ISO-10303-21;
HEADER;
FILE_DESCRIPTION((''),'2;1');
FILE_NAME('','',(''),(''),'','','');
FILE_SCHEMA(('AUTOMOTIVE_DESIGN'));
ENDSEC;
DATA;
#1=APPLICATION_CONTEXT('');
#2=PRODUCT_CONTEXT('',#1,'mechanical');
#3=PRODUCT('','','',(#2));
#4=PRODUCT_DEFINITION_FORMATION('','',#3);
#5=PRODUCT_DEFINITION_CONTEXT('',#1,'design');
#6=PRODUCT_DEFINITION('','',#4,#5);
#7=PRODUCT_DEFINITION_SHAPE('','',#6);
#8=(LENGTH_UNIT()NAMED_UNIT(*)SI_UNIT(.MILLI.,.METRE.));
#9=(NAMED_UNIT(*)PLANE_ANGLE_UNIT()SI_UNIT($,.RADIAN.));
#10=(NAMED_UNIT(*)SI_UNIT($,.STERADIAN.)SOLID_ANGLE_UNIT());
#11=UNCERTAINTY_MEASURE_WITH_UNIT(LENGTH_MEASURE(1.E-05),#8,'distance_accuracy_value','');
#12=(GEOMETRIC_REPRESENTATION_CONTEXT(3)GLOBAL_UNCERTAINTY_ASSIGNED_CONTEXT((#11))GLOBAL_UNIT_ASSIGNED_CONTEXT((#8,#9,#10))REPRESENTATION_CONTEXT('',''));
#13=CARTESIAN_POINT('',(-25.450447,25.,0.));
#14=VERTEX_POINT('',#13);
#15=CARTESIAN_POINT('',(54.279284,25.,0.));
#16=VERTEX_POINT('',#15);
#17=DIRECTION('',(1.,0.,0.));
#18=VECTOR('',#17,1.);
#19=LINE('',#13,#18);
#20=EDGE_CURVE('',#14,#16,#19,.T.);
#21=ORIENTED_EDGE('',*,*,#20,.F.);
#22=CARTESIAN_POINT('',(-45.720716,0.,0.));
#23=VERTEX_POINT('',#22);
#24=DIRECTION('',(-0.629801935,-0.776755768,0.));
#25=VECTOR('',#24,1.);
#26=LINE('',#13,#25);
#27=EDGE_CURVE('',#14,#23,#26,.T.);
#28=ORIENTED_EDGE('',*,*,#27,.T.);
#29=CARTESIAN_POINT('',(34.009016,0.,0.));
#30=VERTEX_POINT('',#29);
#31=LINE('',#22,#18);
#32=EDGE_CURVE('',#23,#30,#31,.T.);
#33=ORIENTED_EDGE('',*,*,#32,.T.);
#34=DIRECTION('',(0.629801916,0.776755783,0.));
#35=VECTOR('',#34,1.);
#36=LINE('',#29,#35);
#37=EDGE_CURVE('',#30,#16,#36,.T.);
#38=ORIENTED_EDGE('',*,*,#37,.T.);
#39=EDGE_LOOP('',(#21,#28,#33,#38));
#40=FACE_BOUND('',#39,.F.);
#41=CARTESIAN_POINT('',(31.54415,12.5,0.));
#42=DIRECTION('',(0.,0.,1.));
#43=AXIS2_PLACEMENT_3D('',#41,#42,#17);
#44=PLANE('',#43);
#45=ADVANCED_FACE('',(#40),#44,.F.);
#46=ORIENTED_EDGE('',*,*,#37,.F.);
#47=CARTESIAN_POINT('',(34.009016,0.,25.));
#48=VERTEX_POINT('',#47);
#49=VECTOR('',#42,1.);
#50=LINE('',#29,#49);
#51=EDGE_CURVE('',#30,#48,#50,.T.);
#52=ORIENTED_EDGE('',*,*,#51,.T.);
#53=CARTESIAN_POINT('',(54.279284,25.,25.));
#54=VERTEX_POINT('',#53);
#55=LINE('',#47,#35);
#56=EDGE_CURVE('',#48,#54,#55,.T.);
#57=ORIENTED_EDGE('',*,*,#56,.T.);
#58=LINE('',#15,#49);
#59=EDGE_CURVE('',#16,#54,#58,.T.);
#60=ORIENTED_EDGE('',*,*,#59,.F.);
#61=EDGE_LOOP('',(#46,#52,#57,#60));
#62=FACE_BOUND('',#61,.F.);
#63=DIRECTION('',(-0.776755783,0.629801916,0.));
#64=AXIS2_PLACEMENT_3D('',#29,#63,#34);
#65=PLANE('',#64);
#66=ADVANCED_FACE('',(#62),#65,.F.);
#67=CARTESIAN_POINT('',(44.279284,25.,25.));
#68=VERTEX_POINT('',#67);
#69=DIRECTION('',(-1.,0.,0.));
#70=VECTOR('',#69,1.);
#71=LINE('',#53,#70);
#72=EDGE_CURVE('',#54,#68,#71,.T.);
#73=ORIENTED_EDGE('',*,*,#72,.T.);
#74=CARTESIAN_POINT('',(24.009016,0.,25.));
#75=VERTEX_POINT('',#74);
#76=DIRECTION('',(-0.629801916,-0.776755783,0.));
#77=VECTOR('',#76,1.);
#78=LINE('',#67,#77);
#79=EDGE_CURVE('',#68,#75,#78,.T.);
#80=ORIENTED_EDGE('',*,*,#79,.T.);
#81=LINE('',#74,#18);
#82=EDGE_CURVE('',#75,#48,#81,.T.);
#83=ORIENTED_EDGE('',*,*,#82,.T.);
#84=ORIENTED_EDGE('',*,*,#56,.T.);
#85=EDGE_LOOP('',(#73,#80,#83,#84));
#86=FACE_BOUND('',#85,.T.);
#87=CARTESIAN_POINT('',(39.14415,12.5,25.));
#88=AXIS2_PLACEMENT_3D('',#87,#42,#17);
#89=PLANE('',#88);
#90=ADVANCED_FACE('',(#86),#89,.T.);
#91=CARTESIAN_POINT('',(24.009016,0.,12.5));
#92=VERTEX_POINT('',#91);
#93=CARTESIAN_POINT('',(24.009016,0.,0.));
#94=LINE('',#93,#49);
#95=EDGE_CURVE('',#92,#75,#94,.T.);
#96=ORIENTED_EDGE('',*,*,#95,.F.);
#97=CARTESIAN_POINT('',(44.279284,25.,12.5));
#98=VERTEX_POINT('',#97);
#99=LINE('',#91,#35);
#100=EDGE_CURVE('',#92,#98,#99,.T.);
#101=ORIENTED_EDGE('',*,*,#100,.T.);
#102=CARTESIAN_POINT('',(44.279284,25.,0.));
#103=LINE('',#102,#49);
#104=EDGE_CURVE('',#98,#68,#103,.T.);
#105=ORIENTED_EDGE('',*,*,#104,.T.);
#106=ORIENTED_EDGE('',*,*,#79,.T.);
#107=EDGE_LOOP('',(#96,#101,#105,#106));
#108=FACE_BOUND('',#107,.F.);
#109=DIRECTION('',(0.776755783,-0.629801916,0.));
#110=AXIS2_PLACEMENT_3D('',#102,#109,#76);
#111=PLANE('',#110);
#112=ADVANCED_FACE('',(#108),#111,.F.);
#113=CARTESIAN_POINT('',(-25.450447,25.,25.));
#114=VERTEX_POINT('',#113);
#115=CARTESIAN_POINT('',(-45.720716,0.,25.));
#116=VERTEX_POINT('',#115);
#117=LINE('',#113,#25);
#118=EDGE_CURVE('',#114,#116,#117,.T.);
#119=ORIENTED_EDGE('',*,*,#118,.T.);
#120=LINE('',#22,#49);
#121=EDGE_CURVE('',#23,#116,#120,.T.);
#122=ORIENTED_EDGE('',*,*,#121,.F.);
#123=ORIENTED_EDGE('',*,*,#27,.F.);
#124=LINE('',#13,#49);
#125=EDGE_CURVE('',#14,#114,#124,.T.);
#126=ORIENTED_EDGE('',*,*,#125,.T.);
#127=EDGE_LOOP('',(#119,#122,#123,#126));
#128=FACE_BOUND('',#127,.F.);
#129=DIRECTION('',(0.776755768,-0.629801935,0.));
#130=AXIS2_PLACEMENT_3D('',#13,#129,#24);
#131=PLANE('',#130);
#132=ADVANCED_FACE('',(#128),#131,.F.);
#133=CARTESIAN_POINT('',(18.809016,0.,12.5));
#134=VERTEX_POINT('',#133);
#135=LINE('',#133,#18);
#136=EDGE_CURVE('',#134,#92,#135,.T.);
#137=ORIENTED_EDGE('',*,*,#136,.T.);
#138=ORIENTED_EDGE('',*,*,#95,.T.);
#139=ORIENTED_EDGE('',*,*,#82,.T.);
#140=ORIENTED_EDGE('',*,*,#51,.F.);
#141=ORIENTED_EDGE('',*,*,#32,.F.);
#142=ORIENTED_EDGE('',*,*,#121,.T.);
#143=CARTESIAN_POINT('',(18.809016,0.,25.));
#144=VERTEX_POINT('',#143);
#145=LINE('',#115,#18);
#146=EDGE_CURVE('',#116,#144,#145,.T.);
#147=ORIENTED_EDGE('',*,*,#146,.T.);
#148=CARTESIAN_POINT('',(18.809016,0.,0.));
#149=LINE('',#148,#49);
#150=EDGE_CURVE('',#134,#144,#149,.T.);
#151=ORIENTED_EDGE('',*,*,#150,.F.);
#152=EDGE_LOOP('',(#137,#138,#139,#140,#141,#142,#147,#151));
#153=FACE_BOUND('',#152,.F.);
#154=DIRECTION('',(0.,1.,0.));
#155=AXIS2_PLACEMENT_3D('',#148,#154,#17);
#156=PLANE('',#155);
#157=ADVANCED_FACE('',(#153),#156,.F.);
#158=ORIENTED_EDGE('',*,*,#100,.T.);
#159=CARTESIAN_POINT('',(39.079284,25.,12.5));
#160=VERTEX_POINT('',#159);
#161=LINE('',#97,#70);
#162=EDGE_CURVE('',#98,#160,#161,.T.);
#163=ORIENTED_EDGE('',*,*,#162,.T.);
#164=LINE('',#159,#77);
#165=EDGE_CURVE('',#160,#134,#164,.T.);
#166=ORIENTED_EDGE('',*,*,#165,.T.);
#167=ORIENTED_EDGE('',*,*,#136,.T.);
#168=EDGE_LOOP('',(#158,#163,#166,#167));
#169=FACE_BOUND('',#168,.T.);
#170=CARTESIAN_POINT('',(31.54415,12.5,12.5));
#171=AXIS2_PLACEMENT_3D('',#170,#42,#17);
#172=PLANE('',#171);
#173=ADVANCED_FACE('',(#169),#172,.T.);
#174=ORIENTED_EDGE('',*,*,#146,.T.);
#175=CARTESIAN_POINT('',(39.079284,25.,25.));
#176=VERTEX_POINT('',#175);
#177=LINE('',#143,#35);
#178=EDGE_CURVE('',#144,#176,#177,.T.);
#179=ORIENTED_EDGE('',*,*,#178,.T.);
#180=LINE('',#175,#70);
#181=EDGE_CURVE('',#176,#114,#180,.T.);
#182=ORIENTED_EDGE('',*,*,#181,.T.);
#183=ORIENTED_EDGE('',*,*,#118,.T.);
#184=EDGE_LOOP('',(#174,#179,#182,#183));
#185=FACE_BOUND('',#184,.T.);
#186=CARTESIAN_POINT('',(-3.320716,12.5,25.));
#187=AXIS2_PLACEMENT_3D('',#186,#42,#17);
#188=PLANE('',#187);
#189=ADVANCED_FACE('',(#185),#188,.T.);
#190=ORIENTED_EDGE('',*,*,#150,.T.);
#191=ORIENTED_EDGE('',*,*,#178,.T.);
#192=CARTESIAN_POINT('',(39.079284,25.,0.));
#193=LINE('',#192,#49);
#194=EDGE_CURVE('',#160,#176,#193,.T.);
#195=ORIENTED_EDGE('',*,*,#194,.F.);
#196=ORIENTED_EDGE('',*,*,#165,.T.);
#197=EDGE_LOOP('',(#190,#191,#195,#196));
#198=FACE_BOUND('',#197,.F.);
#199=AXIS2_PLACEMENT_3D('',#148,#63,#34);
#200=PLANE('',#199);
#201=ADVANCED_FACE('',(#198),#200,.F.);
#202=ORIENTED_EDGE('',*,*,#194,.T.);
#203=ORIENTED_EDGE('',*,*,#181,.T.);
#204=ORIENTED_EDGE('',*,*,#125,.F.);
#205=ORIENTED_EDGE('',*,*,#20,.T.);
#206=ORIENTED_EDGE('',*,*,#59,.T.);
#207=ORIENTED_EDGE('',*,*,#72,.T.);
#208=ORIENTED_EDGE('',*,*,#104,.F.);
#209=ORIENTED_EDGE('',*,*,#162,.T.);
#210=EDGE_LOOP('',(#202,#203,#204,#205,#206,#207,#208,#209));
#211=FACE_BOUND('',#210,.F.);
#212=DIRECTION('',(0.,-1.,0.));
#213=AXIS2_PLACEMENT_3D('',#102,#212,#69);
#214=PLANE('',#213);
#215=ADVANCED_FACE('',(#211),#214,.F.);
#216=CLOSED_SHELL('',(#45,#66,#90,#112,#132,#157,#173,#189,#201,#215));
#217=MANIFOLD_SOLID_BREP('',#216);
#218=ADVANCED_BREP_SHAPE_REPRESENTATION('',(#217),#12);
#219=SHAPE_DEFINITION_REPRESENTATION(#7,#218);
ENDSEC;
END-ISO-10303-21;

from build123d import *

# Parameters (mm, degrees)
F1_DEPTH = 25
F2_DEPTH = 12.5


with BuildPart() as f1:
    # F0 (on Top) → F1 (new body)
    with BuildSketch(Plane.XY):
        Polygon((-25.450447, 25), (-45.720716, 0), (18.809016, 0), (39.079284, 25), align=None)
        Polygon((44.279284, 25), (24.009016, 0), (34.009016, 0), (54.279284, 25), align=None)
    extrude(amount=F1_DEPTH)

    # F0 (on Top) → F2 (join)
    with BuildSketch(Plane.XY):
        Polygon((39.079284, 25), (18.809016, 0), (24.009016, 0), (44.279284, 25), align=None)
    extrude(amount=F2_DEPTH)


solid = f1.part
